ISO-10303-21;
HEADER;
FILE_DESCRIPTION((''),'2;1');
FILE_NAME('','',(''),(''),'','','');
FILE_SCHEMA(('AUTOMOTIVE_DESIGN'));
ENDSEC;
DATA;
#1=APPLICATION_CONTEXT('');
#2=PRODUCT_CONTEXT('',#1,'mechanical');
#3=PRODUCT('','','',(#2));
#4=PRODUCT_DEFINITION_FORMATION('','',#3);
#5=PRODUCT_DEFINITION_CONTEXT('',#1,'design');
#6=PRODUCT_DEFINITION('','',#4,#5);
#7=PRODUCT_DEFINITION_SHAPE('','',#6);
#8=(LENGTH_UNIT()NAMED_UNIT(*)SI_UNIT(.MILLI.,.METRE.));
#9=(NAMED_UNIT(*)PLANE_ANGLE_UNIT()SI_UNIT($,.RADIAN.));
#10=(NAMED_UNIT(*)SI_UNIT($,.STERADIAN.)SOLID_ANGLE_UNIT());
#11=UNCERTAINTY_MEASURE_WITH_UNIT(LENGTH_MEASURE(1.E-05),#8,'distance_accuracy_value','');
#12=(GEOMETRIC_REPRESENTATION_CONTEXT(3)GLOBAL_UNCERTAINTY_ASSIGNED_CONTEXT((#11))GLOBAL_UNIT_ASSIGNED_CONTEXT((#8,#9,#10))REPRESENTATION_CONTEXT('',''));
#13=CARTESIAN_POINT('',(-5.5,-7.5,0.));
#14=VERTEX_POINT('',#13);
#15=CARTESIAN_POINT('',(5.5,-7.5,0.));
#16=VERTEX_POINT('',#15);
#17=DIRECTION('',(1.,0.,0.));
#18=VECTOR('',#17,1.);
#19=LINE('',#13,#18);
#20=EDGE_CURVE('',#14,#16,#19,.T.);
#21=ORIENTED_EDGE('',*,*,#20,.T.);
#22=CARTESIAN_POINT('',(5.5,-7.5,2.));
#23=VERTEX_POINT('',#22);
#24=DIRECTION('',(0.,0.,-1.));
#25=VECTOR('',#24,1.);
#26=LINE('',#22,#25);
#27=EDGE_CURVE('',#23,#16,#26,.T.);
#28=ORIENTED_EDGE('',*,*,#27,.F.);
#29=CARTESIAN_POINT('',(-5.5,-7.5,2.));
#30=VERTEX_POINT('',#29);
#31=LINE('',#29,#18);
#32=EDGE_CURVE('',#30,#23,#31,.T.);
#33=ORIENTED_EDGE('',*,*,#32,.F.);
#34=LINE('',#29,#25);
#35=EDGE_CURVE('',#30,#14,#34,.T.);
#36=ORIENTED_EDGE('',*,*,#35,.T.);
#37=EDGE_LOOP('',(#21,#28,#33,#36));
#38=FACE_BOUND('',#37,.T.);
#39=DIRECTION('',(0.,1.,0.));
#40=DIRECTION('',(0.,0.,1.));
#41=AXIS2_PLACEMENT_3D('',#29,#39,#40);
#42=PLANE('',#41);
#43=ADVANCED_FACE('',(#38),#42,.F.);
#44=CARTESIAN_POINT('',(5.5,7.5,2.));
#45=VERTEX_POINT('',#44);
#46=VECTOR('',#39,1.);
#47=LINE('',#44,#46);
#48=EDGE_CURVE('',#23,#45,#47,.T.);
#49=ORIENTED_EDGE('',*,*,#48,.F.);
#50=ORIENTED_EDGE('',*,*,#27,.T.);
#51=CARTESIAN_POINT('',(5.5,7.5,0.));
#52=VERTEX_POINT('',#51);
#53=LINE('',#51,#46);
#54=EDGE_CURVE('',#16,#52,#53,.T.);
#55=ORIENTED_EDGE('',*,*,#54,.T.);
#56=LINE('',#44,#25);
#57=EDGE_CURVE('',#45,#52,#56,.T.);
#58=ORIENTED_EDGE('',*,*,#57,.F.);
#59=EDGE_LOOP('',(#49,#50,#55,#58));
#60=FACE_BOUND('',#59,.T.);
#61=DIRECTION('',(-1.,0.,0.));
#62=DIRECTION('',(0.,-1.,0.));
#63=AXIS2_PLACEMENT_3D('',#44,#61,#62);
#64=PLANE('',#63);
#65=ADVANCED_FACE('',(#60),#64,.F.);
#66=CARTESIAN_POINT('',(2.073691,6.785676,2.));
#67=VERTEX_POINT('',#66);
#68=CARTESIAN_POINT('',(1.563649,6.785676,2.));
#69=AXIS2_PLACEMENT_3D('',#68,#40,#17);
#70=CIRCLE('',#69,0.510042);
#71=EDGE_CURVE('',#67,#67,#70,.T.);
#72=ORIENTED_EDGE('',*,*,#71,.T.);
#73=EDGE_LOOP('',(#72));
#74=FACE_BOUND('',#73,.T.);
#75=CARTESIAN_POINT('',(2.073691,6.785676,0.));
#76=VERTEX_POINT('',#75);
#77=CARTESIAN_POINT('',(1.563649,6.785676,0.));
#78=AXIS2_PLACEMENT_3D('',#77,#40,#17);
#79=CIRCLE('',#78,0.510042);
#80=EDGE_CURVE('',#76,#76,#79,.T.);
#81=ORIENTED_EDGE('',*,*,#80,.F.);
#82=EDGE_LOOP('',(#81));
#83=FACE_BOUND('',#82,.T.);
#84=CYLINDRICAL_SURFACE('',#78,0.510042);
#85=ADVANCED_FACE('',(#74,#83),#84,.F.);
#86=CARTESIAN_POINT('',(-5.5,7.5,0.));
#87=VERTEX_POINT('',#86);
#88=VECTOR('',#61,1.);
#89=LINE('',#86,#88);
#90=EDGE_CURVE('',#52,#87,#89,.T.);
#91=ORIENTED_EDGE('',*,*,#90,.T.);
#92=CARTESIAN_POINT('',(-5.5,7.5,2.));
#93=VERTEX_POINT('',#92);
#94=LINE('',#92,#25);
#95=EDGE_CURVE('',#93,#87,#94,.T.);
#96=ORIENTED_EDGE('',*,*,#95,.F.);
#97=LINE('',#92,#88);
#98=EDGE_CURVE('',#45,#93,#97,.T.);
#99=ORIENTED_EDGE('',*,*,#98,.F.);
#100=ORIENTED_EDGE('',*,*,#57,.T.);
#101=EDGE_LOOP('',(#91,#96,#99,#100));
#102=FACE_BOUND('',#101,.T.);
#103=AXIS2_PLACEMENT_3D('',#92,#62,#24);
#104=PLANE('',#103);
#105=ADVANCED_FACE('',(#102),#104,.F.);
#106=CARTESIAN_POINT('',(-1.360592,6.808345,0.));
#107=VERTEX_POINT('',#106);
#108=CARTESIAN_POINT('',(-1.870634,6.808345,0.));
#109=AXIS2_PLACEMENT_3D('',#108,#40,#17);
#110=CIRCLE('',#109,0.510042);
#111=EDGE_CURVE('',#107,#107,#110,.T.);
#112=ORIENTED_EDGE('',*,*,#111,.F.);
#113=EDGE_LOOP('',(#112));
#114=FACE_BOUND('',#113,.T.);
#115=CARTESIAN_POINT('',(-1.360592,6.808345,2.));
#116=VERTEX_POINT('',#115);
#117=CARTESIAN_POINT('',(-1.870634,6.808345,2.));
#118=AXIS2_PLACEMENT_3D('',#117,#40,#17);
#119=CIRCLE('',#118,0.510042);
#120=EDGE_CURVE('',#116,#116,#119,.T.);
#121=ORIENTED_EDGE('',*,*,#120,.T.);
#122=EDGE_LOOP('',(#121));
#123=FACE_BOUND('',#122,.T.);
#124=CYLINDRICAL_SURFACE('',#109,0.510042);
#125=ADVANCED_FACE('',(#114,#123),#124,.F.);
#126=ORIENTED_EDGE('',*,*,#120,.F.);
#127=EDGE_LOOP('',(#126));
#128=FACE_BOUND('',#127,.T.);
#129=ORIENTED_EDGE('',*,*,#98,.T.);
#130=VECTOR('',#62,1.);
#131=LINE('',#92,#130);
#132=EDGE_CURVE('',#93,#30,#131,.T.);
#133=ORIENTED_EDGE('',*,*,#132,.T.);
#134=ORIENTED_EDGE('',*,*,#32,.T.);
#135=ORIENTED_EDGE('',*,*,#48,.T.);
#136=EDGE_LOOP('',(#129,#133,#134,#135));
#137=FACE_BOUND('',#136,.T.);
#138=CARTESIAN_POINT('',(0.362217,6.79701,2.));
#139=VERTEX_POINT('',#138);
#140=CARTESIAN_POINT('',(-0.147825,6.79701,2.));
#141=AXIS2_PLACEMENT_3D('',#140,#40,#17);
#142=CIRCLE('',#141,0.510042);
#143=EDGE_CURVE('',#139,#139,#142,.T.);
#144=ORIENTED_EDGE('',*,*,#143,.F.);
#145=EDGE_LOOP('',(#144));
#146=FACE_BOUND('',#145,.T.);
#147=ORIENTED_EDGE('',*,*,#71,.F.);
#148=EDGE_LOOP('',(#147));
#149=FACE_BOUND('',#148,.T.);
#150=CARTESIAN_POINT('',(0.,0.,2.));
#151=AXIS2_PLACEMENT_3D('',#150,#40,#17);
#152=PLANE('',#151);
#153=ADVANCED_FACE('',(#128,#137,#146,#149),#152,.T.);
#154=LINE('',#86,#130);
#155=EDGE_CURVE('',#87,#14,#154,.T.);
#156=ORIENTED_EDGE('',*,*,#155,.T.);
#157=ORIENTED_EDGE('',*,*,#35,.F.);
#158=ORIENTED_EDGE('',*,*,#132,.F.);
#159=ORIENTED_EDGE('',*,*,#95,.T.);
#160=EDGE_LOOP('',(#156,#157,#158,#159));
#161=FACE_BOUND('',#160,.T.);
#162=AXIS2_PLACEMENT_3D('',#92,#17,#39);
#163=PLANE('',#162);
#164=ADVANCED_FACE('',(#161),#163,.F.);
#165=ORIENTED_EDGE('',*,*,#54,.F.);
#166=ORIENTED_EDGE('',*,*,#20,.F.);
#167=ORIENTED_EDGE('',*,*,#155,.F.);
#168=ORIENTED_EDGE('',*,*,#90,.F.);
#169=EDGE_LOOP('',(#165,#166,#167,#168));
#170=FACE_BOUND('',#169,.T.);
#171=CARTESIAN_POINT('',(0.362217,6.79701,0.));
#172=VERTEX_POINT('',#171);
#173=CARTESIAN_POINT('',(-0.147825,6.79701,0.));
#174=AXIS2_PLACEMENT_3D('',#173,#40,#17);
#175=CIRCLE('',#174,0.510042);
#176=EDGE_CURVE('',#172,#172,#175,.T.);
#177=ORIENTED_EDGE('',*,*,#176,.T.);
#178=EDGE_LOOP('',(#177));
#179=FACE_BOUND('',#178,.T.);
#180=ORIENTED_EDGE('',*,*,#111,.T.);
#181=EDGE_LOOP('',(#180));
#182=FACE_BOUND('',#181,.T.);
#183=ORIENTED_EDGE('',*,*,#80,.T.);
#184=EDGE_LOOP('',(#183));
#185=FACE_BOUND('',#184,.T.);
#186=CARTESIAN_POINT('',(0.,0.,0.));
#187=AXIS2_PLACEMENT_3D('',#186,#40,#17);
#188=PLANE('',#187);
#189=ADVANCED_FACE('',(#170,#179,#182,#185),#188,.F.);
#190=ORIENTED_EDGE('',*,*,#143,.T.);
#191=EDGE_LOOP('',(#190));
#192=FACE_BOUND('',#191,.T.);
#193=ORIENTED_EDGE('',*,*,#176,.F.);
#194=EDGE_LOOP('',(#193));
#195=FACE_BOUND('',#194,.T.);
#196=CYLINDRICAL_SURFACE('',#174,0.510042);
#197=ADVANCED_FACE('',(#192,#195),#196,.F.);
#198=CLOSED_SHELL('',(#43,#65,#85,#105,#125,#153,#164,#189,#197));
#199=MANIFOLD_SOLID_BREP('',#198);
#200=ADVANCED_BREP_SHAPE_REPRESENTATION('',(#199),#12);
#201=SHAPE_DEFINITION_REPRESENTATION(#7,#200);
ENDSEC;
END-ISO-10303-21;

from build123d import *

# Parameters (mm, degrees)
SKETCH_1_W          = 11
SKETCH_1_H          = 15
EXTRUDE_1_DEPTH     = 2
SKETCH_2_R          = 0.510041948
CUT_EXTRUDE_1_DEPTH = 10.513148795


with BuildPart() as part:
    # 草图1 → 凸台-拉伸1 (new body)
    with BuildSketch(Plane.XY):
        Rectangle(SKETCH_1_W, SKETCH_1_H)
    extrude(amount=EXTRUDE_1_DEPTH)

    # 草图2 → 切除-拉伸1 (cut, through all)
    with BuildSketch(Plane.XY.offset(2)):
        with Locations((-1.870633726, 6.808344514)):
            Circle(SKETCH_2_R)
        with Locations((-0.147825369, 6.797010249)):
            Circle(SKETCH_2_R)
        with Locations((1.563648724, 6.785675983)):
            Circle(SKETCH_2_R)
    extrude(amount=-CUT_EXTRUDE_1_DEPTH, mode=Mode.SUBTRACT)


solid = part.part
